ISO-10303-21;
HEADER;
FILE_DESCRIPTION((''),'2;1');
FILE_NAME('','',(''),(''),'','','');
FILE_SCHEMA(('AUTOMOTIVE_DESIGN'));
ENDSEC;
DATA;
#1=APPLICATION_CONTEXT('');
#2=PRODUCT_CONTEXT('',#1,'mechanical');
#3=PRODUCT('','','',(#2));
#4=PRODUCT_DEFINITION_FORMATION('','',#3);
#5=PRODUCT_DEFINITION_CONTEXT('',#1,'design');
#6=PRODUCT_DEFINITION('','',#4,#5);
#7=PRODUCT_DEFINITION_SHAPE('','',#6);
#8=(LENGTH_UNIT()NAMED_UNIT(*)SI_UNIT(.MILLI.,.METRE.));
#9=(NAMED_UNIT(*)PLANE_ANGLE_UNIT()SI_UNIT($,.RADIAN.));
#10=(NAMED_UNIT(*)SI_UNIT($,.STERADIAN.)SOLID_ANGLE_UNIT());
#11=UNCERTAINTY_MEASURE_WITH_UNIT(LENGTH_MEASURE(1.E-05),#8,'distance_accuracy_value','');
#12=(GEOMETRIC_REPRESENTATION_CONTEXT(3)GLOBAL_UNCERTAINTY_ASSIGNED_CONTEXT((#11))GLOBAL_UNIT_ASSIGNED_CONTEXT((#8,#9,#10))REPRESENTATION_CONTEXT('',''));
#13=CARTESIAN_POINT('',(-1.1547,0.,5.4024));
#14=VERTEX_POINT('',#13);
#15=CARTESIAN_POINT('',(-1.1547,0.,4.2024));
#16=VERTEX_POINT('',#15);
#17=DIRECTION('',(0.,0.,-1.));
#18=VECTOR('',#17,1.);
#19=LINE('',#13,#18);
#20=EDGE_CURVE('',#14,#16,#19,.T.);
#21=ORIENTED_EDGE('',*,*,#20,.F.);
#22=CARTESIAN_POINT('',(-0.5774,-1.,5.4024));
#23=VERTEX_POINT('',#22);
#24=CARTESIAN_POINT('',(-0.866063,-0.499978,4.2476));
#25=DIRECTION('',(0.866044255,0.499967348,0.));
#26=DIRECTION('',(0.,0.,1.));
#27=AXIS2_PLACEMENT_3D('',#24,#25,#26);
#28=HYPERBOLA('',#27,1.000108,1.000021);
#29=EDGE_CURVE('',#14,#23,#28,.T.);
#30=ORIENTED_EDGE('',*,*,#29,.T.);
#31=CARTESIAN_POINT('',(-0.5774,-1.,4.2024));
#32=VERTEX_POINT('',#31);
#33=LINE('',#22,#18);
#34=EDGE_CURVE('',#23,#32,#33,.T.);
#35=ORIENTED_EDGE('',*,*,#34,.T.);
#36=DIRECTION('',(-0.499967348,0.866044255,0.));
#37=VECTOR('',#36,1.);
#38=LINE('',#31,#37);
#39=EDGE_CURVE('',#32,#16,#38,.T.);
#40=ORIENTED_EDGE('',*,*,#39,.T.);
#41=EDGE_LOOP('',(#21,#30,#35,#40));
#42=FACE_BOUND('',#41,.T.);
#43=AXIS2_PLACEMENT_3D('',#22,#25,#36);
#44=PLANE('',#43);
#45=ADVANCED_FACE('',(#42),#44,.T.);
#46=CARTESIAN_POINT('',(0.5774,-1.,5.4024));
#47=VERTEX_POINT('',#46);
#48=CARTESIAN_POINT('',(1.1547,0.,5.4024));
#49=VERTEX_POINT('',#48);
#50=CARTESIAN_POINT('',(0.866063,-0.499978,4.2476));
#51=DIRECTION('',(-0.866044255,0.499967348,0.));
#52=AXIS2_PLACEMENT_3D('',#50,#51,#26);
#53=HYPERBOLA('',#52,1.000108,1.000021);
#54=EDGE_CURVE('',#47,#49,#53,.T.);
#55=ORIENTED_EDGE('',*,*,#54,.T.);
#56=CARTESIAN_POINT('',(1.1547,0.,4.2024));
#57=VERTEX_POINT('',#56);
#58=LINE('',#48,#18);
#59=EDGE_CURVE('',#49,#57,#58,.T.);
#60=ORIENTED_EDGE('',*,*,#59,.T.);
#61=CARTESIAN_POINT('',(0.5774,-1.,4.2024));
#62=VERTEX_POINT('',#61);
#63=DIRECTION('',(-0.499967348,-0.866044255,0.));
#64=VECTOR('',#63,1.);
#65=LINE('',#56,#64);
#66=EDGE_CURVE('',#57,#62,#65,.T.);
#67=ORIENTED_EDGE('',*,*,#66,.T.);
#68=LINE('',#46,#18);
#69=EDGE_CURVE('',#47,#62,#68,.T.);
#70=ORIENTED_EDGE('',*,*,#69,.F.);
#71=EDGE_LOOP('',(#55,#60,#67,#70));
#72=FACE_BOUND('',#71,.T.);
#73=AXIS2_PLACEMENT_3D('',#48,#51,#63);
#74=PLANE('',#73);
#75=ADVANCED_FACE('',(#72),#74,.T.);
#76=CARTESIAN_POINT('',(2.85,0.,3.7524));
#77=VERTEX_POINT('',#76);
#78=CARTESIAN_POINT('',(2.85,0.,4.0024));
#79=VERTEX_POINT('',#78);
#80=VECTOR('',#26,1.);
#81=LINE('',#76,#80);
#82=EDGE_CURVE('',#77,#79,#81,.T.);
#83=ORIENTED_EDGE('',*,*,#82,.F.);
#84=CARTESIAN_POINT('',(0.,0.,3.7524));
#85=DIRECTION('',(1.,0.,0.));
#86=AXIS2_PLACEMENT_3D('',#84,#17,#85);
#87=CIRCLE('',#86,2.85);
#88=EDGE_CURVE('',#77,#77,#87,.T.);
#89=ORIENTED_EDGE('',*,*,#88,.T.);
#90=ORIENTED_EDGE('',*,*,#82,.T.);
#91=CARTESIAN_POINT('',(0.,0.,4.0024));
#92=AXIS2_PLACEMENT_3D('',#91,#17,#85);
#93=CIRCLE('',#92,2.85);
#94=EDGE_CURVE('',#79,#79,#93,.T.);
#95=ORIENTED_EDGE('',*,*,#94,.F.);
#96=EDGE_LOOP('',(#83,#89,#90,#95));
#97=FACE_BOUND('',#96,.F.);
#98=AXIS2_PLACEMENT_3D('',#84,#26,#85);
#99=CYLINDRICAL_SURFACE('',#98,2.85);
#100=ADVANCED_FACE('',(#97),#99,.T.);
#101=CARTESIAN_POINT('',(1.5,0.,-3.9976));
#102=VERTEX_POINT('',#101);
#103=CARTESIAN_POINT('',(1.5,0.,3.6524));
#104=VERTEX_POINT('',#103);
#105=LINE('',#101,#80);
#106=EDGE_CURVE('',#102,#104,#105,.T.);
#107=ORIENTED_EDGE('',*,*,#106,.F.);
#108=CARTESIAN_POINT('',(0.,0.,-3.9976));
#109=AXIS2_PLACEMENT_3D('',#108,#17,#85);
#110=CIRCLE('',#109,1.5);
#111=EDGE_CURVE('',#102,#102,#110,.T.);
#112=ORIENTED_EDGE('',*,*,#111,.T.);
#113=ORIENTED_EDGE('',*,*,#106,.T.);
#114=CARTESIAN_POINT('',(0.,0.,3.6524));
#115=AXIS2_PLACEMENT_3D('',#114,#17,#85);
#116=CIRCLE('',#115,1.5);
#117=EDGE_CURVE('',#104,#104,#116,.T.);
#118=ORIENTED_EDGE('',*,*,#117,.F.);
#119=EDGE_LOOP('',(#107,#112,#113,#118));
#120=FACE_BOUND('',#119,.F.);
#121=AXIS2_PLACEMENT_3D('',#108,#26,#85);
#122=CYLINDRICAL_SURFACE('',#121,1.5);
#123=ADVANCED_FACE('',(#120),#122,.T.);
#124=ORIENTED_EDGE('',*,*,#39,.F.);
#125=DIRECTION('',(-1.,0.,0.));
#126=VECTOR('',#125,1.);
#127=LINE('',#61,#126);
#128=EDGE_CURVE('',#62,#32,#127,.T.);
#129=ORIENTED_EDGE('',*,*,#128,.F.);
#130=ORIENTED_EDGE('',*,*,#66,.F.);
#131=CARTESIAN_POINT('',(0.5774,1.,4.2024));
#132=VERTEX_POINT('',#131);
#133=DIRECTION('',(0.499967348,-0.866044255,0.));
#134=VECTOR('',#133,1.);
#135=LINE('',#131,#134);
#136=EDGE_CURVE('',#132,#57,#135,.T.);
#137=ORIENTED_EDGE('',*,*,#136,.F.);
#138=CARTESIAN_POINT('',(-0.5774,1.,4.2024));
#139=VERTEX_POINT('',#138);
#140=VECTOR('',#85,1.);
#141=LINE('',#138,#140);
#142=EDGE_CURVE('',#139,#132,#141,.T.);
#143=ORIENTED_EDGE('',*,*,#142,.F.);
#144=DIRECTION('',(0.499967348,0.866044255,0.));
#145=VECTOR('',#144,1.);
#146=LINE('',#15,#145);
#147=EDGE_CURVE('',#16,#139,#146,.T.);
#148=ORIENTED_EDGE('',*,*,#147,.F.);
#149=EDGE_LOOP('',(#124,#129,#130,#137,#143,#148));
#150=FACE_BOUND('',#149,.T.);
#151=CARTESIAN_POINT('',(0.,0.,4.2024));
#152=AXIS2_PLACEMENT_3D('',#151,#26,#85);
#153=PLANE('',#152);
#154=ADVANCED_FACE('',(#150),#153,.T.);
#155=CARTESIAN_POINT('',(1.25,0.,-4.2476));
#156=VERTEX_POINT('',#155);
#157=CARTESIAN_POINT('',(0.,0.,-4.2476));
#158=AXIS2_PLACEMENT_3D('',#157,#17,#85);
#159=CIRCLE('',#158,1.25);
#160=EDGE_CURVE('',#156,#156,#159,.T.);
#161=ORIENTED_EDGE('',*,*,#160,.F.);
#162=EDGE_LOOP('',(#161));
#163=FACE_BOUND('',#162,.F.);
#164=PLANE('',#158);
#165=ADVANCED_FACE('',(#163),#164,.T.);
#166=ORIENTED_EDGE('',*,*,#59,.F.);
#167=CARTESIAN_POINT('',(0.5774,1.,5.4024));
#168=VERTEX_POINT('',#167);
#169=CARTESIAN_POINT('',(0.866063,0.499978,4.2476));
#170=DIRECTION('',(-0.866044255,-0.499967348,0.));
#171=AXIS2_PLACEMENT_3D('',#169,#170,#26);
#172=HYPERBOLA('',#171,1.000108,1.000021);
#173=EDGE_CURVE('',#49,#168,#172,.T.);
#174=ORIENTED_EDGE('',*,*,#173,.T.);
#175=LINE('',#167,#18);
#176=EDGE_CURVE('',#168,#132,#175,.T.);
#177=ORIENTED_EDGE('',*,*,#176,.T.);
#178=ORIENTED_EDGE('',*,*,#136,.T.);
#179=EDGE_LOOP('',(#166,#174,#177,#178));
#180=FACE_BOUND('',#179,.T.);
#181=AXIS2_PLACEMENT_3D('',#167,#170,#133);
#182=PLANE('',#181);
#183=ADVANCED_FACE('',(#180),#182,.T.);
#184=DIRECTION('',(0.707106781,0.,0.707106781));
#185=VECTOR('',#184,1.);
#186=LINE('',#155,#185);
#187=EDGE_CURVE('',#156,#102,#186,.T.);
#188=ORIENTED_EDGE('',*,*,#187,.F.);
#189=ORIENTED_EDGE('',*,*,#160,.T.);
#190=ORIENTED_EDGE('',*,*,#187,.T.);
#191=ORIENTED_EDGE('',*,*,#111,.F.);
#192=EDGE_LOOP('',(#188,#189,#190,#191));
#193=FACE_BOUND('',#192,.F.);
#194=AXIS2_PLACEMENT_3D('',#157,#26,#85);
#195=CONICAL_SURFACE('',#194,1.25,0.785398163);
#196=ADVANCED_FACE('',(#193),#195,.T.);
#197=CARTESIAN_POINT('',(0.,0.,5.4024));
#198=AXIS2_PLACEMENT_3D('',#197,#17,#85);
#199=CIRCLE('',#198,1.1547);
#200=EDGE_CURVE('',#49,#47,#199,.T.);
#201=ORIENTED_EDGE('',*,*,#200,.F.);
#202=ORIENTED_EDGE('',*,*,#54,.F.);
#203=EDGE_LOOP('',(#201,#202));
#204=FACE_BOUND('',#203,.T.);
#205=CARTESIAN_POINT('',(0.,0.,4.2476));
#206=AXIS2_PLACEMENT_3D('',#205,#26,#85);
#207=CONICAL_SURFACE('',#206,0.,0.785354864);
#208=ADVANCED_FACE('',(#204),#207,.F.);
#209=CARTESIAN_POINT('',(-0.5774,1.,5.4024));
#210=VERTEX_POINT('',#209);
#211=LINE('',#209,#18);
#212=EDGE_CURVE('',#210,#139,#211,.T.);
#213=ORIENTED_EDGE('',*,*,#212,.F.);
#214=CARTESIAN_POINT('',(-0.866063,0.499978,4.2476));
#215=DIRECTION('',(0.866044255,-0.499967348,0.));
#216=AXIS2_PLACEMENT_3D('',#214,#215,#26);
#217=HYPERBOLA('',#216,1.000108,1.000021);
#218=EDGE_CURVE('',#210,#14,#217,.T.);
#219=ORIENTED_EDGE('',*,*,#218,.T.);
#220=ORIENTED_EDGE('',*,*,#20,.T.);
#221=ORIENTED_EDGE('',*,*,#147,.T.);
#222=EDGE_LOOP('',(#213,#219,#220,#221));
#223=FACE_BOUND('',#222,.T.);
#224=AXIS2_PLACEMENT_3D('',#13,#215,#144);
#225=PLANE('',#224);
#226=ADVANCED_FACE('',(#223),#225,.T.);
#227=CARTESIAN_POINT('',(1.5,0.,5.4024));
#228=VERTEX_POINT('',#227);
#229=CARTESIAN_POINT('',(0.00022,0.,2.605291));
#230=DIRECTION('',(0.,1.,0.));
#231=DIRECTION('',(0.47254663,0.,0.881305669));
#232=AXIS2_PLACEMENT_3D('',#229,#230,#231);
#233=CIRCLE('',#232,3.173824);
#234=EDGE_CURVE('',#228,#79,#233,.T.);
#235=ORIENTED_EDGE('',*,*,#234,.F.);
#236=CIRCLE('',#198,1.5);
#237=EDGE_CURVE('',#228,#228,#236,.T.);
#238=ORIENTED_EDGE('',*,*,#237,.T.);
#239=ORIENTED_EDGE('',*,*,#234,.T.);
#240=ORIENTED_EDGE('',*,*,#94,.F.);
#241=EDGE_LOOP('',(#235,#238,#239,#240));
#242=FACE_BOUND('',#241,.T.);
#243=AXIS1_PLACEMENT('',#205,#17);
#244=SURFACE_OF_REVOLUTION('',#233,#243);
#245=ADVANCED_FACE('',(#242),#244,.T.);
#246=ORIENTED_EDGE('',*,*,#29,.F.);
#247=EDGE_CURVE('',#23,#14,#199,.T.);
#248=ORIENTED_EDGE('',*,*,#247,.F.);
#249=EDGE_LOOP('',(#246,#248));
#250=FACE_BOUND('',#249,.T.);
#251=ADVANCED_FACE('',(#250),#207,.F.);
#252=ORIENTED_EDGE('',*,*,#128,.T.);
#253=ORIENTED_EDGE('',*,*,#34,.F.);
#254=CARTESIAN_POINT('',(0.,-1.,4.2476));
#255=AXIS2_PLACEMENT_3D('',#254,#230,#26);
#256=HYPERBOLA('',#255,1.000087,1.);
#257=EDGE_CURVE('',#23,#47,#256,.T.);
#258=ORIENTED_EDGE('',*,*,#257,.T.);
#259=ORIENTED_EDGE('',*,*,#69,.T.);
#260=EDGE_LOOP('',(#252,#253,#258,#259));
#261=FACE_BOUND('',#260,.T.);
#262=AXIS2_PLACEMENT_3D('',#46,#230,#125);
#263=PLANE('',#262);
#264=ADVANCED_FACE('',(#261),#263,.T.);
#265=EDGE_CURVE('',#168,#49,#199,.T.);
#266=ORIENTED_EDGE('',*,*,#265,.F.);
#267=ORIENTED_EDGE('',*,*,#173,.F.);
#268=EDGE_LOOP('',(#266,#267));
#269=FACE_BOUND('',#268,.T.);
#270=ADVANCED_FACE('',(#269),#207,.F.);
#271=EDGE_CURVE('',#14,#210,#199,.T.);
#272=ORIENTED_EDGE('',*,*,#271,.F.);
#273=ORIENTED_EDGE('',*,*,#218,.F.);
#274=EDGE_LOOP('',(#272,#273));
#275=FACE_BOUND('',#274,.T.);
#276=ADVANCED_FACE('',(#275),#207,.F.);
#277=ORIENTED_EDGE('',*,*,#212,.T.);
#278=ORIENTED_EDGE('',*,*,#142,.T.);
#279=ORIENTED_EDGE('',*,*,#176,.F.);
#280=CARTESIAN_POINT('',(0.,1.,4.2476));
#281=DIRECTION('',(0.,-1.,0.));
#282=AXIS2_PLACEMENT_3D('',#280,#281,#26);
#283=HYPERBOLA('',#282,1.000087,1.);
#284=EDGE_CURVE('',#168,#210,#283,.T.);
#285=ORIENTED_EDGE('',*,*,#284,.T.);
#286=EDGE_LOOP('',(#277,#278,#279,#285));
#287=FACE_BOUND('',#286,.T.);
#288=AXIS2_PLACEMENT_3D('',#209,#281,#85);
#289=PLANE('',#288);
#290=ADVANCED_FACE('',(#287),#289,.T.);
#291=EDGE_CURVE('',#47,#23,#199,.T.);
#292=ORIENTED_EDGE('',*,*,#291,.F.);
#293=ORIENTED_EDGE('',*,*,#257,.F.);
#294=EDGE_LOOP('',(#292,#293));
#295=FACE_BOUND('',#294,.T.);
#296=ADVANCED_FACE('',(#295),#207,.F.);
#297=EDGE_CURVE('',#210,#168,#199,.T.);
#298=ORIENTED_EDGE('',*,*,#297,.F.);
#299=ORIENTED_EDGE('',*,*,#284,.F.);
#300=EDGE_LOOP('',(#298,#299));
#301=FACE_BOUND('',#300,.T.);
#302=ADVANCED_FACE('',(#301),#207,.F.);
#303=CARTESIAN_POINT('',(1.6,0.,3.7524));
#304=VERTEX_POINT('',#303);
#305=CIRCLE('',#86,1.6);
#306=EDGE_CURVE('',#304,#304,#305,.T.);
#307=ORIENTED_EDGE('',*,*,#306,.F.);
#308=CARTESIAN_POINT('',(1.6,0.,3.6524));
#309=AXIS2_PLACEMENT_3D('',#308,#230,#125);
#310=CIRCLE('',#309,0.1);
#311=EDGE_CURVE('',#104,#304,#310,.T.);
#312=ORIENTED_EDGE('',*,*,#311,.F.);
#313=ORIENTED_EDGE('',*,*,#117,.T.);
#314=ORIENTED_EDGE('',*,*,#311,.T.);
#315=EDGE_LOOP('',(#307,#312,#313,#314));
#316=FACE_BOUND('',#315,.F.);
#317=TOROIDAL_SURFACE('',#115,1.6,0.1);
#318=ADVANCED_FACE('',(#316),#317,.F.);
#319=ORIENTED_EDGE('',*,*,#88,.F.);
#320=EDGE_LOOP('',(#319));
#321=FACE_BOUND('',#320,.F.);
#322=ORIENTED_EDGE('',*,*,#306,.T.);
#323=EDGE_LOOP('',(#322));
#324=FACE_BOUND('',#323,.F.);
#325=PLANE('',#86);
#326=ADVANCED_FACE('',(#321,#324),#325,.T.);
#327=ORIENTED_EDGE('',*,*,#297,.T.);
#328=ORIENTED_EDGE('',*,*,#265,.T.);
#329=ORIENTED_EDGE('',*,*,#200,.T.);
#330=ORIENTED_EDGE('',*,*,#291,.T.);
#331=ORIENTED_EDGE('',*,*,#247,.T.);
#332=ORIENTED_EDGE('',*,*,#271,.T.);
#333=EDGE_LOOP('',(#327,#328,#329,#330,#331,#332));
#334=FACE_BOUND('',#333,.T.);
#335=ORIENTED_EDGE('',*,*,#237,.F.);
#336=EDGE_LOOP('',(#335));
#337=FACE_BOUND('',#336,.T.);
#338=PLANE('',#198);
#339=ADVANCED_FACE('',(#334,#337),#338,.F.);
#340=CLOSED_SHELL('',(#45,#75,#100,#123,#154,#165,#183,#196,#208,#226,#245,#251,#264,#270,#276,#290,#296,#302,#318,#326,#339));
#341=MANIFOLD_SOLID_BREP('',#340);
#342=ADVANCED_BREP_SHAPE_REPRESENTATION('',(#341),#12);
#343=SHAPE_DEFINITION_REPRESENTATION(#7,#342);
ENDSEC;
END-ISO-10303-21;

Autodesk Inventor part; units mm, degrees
ref_plane "YZ Plane" through (0, 0, 0) normal (1, 0, 0) x (0, 1, 0)
ref_plane "XZ Plane" through (0, 0, 0) normal (0, 1, 0) x (-1, 0, 0)
ref_plane "XY Plane" through (0, 0, 0) normal (0, 0, 1) x (1, 0, 0)
sketch "Sketch1" plane through (0, 0, 0) normal (0, 1, 0) x (-1, 0, 0)
  line L0 (0, 4.2476) -> (0, -4.2476)
  line L1 (0, -4.2476) -> (-1.25, -4.2476)
  line L2 (-1.25, -4.2476) -> (-1.5, -3.9976)
  line L3 (-1.5, -3.9976) -> (-1.5, 3.6524)
  line L4 (-1.6, 3.7524) -> (-2.85, 3.7524)
  line L5 (-2.85, 3.7524) -> (-2.85, 4.0024)
  line L6 (0, 4.2476) -> (-1.1547, 5.4024)
  line L7 (-1.1547, 5.4024) -> (-1.5, 5.4024)
  arc A0 (-1.5, 5.4024) -> (-2.85, 4.0024) centre (0, 2.605) ccw
  line L8 (-1.1547, 5.4024) -> (-0.5774, 6.4024) construction
  line L9 (-0.5774, 6.4024) -> (0.5774, 6.4024) construction
  line L10 (0.5774, 6.4024) -> (1.1547, 5.4024) construction
  line L11 (1.1547, 5.4024) -> (0.5774, 4.4024) construction
  line L12 (0.5774, 4.4024) -> (-0.5774, 4.4024) construction
  line L13 (-0.5774, 4.4024) -> (-1.1547, 5.4024) construction
  arc A1 (-1.5, 3.6524) -> (-1.6, 3.7524) centre (-1.6, 3.6524) ccw
  point P0 (0, 0)
  point P1 (-1.5, 3.7524)
  point P2 (0, 0)
  point P3 (0, 5.4024)
  dimension "d0" = 3
  dimension "d1" = 8
  dimension "d2" = 0.25
  dimension "d3" = 135
  dimension "d4" = 5.7
  dimension "d5" = 3
  dimension "d6" = 1.65
  dimension "d7" = 2
  dimension "d8" = 0.25
  dimension "d15" = 3.2
revolve "Revolution1" add sketch "Sketch1" angle 360 about axis through (0, 0, 4.2476) along (0, 0, -1)
sketch "Sketch2" plane through (0, 0, 5.4024) normal (0, 0, 1) x (1, 0, 0)
  circle A0 centre (0, 0) radius 1.1547 projected
  circle A1 centre (0, 0) radius 1.5 projected
  line L0 (-1.1547, 0) -> (-0.5774, 1)
  line L1 (-0.5774, 1) -> (0.5774, 1)
  line L2 (0.5774, 1) -> (1.1547, 0)
  line L3 (1.1547, 0) -> (0.5774, -1)
  line L4 (0.5774, -1) -> (-0.5774, -1)
  line L5 (-0.5774, -1) -> (-1.1547, 0)
  point P0 (0, 0)
extrude "Extrusion1" cut sketch "Sketch2" against normal blind 1.2 contours L3 L4 L5 L0 L1 L2
thread "Thread1" size "M3x0.35" class "6g" standard "ANSI Metric M Profile" full length
properties part number "Bolt_M3x0.35_8mm_BH" material "Stainless Steel"
